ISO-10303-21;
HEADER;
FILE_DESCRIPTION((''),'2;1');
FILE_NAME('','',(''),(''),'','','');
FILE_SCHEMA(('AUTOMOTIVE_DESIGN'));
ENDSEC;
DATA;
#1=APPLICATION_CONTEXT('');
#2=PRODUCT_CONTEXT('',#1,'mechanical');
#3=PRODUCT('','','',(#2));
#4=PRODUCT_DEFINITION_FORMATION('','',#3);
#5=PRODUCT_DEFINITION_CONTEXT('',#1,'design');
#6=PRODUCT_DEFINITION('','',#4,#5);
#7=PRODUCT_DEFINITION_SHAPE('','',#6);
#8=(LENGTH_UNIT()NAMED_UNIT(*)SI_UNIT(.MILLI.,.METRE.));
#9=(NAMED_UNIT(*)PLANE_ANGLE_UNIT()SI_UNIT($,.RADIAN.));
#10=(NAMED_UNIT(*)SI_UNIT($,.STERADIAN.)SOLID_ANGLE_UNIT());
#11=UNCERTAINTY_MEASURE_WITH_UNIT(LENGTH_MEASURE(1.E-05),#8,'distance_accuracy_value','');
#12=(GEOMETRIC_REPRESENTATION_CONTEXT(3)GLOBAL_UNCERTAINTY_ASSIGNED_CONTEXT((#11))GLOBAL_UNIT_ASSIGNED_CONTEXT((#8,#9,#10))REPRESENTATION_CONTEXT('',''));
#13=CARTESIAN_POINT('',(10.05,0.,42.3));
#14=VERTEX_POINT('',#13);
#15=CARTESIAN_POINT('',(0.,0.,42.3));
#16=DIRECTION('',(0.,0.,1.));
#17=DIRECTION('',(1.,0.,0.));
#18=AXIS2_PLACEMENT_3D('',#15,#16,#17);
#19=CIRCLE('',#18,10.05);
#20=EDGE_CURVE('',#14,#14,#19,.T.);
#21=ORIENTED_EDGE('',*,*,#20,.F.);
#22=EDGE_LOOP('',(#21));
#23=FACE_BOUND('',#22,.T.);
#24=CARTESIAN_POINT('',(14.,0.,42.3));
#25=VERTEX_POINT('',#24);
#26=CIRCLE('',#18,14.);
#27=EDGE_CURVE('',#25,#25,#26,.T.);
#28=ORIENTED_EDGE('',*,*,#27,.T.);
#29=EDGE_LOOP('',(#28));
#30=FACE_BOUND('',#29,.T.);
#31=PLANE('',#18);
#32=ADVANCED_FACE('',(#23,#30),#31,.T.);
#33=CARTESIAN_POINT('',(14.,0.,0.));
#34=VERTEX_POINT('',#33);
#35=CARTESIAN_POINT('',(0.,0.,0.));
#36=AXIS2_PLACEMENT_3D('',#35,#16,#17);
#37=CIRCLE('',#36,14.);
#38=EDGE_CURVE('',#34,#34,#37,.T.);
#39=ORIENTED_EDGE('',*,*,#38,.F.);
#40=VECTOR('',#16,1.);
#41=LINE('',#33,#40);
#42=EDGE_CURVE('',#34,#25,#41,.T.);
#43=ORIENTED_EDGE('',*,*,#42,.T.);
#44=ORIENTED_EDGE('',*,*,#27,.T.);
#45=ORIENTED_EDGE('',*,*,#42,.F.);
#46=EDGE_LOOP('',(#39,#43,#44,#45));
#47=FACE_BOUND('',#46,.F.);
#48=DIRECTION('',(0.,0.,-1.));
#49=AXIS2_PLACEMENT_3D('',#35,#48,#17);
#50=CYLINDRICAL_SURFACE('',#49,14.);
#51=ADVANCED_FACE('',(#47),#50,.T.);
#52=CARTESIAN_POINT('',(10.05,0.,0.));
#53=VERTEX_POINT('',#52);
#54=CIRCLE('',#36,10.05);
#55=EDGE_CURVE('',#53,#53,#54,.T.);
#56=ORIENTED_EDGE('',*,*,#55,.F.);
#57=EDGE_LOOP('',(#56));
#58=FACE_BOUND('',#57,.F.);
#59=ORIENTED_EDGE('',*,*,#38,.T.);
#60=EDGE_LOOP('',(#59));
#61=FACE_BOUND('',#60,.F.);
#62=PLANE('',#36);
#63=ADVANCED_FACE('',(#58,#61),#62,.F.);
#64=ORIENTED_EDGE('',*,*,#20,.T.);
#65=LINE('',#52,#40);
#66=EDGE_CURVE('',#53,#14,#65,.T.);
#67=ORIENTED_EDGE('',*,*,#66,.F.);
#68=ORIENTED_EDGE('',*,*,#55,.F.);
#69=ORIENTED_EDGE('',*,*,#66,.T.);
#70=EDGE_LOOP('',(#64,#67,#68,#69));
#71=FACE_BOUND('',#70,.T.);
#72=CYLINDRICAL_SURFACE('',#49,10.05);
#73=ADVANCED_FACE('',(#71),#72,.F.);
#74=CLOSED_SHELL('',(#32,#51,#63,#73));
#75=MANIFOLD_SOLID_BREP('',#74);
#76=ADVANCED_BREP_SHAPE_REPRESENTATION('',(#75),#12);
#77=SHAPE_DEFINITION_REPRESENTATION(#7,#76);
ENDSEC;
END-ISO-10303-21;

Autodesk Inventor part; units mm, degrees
ref_plane "YZ Plane" through (0, 0, 0) normal (1, 0, 0) x (0, 1, 0)
ref_plane "XZ Plane" through (0, 0, 0) normal (0, 1, 0) x (-1, 0, 0)
ref_plane "XY Plane" through (0, 0, 0) normal (0, 0, 1) x (1, 0, 0)
sketch "스케치10" plane through (0, 0, 0) normal (0, 0, 1) x (1, 0, 0)
  circle A0 centre (0, 0) radius 14
  circle A1 centre (0, 0) radius 10.05
  dimension "d57" = 28
  dimension "d58" = 20.1
extrude "돌출4" add sketch "스케치10" along normal blind 42.3
properties part number "TL20240701-10110CV-008" material "S45C"
